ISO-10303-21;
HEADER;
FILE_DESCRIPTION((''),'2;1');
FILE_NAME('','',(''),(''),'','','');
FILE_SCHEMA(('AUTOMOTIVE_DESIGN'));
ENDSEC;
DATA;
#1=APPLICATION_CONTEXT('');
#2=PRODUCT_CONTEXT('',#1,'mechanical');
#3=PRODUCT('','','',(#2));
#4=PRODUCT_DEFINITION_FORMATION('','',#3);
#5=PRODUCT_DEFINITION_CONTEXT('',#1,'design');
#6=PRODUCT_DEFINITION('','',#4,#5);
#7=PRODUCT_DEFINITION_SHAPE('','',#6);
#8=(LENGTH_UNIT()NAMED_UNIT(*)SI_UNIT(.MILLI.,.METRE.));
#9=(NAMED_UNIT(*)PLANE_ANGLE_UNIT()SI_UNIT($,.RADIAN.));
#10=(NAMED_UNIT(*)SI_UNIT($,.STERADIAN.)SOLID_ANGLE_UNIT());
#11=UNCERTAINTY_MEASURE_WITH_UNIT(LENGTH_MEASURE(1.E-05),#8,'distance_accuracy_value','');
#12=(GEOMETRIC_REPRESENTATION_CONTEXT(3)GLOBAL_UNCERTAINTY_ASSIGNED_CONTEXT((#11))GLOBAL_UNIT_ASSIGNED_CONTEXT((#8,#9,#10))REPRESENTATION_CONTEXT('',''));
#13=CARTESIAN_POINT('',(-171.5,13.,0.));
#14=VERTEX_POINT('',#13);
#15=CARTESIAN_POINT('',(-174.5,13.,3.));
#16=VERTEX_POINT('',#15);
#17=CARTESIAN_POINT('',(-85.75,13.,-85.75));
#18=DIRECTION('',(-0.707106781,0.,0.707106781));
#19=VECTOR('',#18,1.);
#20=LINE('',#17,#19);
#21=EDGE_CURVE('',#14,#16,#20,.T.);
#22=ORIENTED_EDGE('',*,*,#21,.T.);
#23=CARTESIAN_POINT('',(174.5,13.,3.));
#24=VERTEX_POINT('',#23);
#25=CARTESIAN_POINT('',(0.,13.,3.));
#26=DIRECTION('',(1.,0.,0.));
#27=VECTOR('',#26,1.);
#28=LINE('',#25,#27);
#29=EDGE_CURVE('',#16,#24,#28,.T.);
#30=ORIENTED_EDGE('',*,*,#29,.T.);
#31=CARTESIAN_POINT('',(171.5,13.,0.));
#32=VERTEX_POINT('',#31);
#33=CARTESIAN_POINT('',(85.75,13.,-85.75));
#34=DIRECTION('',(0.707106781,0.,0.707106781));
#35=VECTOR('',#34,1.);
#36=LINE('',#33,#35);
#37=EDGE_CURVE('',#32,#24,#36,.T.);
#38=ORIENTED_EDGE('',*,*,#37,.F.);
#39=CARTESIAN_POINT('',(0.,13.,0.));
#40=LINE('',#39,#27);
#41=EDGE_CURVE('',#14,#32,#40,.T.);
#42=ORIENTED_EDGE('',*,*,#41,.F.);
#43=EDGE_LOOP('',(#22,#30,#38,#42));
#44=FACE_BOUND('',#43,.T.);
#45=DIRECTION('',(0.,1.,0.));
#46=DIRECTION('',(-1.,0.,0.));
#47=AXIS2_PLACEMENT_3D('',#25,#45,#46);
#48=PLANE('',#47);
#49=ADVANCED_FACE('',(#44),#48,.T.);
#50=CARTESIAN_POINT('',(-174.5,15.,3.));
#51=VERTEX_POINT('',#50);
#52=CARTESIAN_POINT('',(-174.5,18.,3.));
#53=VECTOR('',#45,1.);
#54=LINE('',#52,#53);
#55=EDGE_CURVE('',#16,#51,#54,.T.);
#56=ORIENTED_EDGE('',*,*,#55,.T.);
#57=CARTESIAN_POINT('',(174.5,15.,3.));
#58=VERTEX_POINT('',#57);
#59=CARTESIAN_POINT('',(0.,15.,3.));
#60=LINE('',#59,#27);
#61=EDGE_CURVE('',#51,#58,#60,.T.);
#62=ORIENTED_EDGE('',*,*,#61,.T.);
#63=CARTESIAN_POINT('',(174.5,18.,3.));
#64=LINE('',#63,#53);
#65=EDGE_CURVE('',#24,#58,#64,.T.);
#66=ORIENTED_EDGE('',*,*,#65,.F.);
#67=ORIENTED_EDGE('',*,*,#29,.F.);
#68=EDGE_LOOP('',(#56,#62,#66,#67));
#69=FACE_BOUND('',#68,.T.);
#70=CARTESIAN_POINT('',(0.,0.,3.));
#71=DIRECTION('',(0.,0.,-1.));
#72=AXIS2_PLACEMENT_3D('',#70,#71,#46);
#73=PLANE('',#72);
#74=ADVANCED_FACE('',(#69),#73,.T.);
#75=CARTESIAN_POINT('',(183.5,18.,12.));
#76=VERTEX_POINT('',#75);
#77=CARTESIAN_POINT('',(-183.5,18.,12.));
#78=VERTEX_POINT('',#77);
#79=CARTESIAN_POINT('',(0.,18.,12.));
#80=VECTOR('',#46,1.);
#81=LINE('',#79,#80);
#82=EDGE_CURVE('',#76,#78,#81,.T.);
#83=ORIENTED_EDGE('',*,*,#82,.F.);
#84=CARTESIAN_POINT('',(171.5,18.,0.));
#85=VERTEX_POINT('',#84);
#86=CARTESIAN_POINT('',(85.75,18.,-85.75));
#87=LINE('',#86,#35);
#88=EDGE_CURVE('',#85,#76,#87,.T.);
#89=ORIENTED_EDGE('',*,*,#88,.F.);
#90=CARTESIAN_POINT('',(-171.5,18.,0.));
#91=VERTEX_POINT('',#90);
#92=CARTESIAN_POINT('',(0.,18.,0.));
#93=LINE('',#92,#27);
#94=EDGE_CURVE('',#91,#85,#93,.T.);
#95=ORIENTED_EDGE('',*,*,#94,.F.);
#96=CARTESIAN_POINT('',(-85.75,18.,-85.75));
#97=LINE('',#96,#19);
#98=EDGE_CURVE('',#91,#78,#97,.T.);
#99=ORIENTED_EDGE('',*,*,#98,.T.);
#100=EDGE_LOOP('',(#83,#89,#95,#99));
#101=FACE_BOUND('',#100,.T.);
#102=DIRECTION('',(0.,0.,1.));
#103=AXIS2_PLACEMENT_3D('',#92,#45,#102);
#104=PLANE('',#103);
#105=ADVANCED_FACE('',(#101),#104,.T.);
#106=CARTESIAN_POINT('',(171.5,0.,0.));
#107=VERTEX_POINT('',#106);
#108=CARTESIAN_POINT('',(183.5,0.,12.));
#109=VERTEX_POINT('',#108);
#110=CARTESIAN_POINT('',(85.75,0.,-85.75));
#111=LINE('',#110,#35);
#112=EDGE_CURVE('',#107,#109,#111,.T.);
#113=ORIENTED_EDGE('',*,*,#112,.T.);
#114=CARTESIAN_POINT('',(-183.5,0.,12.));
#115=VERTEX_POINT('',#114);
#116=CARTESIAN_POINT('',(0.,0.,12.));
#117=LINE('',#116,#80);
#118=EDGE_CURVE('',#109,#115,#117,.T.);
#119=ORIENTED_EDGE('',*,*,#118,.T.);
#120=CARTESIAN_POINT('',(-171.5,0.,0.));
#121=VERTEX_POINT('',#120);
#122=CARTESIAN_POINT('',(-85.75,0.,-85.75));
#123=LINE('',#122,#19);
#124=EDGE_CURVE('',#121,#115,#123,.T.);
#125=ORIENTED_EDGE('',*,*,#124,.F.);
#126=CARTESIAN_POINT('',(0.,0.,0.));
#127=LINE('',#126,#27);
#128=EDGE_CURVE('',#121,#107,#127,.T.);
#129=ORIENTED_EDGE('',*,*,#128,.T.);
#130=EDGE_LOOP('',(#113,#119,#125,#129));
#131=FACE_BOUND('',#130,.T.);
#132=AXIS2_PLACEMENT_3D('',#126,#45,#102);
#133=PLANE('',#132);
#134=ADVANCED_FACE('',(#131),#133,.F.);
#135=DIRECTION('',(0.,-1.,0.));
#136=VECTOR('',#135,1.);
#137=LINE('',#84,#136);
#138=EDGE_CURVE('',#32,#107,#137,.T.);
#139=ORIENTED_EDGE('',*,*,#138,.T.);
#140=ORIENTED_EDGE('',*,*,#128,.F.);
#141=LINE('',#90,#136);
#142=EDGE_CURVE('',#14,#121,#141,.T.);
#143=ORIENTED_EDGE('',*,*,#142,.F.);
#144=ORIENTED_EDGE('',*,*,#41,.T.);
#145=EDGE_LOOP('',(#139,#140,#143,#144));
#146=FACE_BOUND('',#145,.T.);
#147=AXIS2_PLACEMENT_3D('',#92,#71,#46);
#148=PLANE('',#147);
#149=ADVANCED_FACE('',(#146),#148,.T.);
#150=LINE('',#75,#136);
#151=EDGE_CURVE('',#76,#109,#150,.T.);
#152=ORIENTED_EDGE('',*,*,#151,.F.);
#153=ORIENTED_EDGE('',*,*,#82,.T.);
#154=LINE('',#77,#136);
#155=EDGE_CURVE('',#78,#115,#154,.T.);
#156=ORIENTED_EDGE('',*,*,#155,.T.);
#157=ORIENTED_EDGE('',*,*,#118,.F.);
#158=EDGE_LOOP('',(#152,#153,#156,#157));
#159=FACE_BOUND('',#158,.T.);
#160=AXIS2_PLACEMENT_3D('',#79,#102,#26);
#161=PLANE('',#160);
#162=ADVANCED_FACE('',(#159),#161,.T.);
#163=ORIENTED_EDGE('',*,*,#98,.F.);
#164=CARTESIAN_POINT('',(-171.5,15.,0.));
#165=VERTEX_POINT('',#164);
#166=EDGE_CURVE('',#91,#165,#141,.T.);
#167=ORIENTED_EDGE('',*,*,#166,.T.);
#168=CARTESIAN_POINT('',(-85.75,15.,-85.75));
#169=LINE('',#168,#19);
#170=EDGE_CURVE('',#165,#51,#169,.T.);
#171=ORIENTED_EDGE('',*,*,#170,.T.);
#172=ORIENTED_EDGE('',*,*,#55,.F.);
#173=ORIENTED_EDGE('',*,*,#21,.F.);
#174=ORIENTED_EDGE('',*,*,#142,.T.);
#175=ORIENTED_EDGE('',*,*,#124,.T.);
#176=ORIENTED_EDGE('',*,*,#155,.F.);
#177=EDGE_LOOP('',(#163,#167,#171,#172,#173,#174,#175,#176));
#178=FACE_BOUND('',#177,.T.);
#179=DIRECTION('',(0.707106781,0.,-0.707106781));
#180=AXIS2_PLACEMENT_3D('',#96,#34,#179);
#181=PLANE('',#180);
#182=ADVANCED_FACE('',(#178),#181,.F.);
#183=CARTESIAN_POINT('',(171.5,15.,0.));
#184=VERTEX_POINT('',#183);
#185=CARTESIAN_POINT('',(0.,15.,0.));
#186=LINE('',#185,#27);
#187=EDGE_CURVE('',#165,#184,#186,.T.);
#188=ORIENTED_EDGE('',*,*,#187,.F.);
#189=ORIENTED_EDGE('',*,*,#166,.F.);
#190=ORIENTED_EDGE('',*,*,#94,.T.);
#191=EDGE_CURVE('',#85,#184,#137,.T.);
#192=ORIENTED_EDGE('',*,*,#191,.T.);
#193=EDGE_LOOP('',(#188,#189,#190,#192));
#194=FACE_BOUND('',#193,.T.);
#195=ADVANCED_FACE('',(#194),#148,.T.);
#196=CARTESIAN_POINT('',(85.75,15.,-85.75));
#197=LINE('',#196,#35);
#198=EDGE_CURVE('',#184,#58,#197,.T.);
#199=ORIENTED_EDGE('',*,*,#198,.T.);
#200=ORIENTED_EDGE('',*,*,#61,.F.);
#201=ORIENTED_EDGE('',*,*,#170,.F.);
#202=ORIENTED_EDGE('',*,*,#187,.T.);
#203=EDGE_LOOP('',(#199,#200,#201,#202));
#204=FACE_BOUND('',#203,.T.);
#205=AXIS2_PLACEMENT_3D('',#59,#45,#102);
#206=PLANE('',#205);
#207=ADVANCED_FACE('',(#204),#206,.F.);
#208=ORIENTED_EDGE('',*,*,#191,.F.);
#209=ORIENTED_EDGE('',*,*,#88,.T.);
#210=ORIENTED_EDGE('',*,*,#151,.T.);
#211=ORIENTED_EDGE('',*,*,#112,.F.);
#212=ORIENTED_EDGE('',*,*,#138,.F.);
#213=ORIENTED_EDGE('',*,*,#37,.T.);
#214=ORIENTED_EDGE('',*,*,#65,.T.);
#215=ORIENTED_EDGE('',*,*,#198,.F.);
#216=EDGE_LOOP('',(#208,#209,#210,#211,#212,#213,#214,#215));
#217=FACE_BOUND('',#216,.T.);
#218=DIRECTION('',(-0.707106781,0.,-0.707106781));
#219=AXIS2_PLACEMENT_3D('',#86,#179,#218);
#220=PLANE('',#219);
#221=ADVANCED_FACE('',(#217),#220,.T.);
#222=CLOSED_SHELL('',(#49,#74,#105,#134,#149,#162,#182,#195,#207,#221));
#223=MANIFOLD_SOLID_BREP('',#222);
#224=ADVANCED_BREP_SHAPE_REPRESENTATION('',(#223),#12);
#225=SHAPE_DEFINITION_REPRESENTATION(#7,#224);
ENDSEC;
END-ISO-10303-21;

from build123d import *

# Parameters (mm, degrees)
BOSS_EXTRUDE1_DEPTH = 18
SKETCH2_W           = 28.744942217
SKETCH2_H           = 2
SKETCH2_W_2         = 16.222921702
CUT_EXTRUDE1_DEPTH  = 3


with BuildPart() as part:
    # Sketch1 → Boss-Extrude1 (new body)
    with BuildSketch(Plane(origin=(0, 0, 0), x_dir=(1, 0, 0), z_dir=(0, 1, 0))):
        Polygon((171.5, 0), (0, 0), (0, -12), (183.5, -12), align=None)
        Polygon((0, 0), (-171.5, 0), (-183.5, -12), (0, -12), align=None)
    extrude(amount=BOSS_EXTRUDE1_DEPTH)

    # Sketch2 → Cut-Extrude1 (cut)
    with BuildSketch(Plane(origin=(0, 0, 0), x_dir=(-1, 0, 0), z_dir=(0, 0, -1))):
        Polygon((-148.243209669, 15), (-171.5, 15), (-171.5, 13), (-148.243209669, 13), (143.527924007, 13), (171.5, 13), (171.5, 15), (143.527924007, 15), align=None)
        with Locations((185.872471109, 14)):
            Rectangle(SKETCH2_W, SKETCH2_H)
        with Locations((-179.611460851, 14)):
            Rectangle(SKETCH2_W_2, SKETCH2_H)
    extrude(amount=-CUT_EXTRUDE1_DEPTH, mode=Mode.SUBTRACT)


solid = part.part
